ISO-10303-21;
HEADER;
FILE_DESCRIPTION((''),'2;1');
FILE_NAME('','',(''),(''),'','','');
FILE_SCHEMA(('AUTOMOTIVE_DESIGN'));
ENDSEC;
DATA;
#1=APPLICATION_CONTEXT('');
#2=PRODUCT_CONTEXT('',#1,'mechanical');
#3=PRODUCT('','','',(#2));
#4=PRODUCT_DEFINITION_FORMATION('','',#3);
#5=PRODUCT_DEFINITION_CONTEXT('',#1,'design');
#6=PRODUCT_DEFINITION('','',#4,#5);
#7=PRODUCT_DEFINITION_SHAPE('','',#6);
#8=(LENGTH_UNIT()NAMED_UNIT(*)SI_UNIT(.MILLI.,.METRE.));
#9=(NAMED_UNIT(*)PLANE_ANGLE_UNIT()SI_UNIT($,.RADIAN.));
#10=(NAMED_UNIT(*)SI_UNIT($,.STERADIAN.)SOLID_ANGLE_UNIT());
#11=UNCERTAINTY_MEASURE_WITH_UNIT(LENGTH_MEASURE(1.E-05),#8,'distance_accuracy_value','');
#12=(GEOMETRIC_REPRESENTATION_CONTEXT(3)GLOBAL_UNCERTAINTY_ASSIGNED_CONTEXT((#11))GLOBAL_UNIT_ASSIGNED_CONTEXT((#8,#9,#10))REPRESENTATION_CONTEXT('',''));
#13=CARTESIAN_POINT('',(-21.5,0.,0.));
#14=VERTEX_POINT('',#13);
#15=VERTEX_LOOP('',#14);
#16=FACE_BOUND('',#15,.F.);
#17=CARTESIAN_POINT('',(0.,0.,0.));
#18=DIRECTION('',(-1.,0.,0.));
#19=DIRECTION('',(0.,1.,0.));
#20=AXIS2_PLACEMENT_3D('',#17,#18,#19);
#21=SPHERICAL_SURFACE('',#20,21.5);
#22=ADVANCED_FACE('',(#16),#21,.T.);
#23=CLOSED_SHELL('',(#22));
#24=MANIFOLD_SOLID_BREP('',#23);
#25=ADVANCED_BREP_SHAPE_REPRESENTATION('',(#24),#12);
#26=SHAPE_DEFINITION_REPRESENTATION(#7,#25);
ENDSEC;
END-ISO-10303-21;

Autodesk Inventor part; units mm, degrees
ref_plane "YZ Plane" through (0, 0, 0) normal (1, 0, 0) x (0, 1, 0)
ref_plane "XZ Plane" through (0, 0, 0) normal (0, 1, 0) x (-1, 0, 0)
ref_plane "XY Plane" through (0, 0, 0) normal (0, 0, 1) x (1, 0, 0)
sketch "Skizze1" plane through (0, 0, 0) normal (0, 0, 1) x (1, 0, 0)
  circle A0 centre (0, 0) radius 21.5
  line L0 (-21.5, 0) -> (21.5, 0)
  line L1 (-30.1, 0) -> (30.1, 0) projected
  dimension "d0" = 43
revolve "Umdrehung1" add sketch "Skizze1" angle 360 about axis through (0, 0, 0) along (1, 0, 0) picked at (-4.2794, 7.6131) contours L0 A0
properties part number "Golfball" material "Golfball"
